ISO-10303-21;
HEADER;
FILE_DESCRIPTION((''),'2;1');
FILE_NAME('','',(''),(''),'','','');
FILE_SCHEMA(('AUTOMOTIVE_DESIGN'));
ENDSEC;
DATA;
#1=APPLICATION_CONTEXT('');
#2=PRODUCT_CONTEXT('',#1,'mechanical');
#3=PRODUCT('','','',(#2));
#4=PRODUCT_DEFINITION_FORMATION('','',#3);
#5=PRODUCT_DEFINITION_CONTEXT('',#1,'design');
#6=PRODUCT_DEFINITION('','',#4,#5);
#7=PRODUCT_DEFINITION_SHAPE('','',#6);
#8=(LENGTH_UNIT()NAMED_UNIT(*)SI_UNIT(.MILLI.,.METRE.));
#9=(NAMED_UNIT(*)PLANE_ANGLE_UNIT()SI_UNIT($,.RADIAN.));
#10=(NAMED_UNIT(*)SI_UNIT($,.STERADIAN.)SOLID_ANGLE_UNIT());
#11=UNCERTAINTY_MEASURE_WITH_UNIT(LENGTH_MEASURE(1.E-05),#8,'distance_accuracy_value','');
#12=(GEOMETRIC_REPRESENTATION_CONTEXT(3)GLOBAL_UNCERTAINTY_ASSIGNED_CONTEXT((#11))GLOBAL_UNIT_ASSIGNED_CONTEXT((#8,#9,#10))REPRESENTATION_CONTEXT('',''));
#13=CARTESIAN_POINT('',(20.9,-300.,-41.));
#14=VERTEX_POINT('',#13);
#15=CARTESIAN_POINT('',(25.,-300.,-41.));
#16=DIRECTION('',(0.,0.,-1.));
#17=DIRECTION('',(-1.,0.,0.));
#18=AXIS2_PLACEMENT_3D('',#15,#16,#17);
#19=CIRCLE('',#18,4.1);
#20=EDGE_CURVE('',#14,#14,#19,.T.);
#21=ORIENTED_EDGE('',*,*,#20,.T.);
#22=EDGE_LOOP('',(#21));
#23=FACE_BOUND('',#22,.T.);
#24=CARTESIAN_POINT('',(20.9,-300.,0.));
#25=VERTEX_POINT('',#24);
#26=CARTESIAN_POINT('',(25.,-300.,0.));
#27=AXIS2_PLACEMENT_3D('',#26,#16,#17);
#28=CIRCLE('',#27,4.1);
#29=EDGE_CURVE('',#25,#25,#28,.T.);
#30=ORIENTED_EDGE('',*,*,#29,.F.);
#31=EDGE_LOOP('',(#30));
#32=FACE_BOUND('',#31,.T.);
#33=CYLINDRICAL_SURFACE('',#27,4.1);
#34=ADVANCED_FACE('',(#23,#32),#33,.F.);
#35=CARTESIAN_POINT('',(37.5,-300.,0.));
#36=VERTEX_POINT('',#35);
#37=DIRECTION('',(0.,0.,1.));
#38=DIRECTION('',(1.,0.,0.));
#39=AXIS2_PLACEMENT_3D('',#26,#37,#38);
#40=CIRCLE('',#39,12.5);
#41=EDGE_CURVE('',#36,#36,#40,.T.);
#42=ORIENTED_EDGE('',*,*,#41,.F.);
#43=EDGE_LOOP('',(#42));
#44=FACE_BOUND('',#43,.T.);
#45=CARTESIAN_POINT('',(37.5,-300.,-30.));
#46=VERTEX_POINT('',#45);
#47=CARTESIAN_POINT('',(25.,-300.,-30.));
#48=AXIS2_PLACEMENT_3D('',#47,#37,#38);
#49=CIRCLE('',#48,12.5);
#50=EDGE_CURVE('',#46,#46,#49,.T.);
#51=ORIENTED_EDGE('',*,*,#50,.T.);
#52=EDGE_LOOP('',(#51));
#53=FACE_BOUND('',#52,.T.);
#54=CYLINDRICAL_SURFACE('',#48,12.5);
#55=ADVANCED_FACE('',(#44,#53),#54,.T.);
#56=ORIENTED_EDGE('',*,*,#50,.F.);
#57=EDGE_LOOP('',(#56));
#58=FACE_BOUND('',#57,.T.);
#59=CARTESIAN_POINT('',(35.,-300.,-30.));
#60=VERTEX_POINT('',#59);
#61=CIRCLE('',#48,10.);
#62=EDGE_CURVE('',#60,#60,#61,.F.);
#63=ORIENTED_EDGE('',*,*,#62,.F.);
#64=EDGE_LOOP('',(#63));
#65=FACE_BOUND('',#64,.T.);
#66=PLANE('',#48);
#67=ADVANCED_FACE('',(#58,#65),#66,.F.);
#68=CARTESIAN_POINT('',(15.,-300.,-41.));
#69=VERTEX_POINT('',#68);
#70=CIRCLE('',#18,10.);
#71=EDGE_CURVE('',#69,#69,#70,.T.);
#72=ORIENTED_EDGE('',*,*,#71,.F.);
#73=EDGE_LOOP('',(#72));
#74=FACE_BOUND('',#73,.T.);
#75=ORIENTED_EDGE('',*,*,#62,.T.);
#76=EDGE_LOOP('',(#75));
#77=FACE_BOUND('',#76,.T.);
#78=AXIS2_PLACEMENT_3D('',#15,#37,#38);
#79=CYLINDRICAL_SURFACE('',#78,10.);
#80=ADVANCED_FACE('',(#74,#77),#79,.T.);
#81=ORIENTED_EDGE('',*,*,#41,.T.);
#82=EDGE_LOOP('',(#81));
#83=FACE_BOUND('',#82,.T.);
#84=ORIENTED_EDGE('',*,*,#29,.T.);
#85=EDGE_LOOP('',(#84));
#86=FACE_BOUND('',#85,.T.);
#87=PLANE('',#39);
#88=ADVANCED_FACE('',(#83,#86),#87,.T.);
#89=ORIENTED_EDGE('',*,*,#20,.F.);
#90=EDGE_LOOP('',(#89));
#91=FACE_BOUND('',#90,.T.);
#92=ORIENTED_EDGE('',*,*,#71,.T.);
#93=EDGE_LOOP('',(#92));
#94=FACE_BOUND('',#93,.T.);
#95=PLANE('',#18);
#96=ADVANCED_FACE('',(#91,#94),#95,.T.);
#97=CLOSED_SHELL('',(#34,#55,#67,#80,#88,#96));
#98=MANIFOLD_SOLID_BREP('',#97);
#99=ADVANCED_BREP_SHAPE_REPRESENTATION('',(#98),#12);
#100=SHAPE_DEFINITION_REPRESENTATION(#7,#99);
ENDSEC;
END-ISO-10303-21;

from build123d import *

# Parameters (mm, degrees)
SKETCH1_R           = 12.5
BOSS_EXTRUDE1_DEPTH = 30
SKETCH2_R           = 10
BOSS_EXTRUDE2_DEPTH = 11
SKETCH3_R           = 4.1
CUT_EXTRUDE1_DEPTH  = 318.401165719


with BuildPart() as part:
    # Sketch1 → Boss-Extrude1 (new body)
    with BuildSketch(Plane.XY):
        with Locations((25, -300)):
            Circle(SKETCH1_R)
    extrude(amount=-BOSS_EXTRUDE1_DEPTH)

    # Sketch2 → Boss-Extrude2 (add)
    with BuildSketch(Plane(origin=(0, 0, -30), x_dir=(-1, 0, 0), z_dir=(0, 0, -1))):
        with Locations(Location((-25, -300, 0), (0, 0, 180))):
            Circle(SKETCH2_R)
    extrude(amount=BOSS_EXTRUDE2_DEPTH)

    # Sketch3 → Cut-Extrude1 (cut, through all)
    with BuildSketch(Plane(origin=(0, 0, -41), x_dir=(-1, 0, 0), z_dir=(0, 0, -1))):
        with Locations((-25, -300)):
            Circle(SKETCH3_R)
    extrude(amount=-CUT_EXTRUDE1_DEPTH, mode=Mode.SUBTRACT)


solid = part.part
